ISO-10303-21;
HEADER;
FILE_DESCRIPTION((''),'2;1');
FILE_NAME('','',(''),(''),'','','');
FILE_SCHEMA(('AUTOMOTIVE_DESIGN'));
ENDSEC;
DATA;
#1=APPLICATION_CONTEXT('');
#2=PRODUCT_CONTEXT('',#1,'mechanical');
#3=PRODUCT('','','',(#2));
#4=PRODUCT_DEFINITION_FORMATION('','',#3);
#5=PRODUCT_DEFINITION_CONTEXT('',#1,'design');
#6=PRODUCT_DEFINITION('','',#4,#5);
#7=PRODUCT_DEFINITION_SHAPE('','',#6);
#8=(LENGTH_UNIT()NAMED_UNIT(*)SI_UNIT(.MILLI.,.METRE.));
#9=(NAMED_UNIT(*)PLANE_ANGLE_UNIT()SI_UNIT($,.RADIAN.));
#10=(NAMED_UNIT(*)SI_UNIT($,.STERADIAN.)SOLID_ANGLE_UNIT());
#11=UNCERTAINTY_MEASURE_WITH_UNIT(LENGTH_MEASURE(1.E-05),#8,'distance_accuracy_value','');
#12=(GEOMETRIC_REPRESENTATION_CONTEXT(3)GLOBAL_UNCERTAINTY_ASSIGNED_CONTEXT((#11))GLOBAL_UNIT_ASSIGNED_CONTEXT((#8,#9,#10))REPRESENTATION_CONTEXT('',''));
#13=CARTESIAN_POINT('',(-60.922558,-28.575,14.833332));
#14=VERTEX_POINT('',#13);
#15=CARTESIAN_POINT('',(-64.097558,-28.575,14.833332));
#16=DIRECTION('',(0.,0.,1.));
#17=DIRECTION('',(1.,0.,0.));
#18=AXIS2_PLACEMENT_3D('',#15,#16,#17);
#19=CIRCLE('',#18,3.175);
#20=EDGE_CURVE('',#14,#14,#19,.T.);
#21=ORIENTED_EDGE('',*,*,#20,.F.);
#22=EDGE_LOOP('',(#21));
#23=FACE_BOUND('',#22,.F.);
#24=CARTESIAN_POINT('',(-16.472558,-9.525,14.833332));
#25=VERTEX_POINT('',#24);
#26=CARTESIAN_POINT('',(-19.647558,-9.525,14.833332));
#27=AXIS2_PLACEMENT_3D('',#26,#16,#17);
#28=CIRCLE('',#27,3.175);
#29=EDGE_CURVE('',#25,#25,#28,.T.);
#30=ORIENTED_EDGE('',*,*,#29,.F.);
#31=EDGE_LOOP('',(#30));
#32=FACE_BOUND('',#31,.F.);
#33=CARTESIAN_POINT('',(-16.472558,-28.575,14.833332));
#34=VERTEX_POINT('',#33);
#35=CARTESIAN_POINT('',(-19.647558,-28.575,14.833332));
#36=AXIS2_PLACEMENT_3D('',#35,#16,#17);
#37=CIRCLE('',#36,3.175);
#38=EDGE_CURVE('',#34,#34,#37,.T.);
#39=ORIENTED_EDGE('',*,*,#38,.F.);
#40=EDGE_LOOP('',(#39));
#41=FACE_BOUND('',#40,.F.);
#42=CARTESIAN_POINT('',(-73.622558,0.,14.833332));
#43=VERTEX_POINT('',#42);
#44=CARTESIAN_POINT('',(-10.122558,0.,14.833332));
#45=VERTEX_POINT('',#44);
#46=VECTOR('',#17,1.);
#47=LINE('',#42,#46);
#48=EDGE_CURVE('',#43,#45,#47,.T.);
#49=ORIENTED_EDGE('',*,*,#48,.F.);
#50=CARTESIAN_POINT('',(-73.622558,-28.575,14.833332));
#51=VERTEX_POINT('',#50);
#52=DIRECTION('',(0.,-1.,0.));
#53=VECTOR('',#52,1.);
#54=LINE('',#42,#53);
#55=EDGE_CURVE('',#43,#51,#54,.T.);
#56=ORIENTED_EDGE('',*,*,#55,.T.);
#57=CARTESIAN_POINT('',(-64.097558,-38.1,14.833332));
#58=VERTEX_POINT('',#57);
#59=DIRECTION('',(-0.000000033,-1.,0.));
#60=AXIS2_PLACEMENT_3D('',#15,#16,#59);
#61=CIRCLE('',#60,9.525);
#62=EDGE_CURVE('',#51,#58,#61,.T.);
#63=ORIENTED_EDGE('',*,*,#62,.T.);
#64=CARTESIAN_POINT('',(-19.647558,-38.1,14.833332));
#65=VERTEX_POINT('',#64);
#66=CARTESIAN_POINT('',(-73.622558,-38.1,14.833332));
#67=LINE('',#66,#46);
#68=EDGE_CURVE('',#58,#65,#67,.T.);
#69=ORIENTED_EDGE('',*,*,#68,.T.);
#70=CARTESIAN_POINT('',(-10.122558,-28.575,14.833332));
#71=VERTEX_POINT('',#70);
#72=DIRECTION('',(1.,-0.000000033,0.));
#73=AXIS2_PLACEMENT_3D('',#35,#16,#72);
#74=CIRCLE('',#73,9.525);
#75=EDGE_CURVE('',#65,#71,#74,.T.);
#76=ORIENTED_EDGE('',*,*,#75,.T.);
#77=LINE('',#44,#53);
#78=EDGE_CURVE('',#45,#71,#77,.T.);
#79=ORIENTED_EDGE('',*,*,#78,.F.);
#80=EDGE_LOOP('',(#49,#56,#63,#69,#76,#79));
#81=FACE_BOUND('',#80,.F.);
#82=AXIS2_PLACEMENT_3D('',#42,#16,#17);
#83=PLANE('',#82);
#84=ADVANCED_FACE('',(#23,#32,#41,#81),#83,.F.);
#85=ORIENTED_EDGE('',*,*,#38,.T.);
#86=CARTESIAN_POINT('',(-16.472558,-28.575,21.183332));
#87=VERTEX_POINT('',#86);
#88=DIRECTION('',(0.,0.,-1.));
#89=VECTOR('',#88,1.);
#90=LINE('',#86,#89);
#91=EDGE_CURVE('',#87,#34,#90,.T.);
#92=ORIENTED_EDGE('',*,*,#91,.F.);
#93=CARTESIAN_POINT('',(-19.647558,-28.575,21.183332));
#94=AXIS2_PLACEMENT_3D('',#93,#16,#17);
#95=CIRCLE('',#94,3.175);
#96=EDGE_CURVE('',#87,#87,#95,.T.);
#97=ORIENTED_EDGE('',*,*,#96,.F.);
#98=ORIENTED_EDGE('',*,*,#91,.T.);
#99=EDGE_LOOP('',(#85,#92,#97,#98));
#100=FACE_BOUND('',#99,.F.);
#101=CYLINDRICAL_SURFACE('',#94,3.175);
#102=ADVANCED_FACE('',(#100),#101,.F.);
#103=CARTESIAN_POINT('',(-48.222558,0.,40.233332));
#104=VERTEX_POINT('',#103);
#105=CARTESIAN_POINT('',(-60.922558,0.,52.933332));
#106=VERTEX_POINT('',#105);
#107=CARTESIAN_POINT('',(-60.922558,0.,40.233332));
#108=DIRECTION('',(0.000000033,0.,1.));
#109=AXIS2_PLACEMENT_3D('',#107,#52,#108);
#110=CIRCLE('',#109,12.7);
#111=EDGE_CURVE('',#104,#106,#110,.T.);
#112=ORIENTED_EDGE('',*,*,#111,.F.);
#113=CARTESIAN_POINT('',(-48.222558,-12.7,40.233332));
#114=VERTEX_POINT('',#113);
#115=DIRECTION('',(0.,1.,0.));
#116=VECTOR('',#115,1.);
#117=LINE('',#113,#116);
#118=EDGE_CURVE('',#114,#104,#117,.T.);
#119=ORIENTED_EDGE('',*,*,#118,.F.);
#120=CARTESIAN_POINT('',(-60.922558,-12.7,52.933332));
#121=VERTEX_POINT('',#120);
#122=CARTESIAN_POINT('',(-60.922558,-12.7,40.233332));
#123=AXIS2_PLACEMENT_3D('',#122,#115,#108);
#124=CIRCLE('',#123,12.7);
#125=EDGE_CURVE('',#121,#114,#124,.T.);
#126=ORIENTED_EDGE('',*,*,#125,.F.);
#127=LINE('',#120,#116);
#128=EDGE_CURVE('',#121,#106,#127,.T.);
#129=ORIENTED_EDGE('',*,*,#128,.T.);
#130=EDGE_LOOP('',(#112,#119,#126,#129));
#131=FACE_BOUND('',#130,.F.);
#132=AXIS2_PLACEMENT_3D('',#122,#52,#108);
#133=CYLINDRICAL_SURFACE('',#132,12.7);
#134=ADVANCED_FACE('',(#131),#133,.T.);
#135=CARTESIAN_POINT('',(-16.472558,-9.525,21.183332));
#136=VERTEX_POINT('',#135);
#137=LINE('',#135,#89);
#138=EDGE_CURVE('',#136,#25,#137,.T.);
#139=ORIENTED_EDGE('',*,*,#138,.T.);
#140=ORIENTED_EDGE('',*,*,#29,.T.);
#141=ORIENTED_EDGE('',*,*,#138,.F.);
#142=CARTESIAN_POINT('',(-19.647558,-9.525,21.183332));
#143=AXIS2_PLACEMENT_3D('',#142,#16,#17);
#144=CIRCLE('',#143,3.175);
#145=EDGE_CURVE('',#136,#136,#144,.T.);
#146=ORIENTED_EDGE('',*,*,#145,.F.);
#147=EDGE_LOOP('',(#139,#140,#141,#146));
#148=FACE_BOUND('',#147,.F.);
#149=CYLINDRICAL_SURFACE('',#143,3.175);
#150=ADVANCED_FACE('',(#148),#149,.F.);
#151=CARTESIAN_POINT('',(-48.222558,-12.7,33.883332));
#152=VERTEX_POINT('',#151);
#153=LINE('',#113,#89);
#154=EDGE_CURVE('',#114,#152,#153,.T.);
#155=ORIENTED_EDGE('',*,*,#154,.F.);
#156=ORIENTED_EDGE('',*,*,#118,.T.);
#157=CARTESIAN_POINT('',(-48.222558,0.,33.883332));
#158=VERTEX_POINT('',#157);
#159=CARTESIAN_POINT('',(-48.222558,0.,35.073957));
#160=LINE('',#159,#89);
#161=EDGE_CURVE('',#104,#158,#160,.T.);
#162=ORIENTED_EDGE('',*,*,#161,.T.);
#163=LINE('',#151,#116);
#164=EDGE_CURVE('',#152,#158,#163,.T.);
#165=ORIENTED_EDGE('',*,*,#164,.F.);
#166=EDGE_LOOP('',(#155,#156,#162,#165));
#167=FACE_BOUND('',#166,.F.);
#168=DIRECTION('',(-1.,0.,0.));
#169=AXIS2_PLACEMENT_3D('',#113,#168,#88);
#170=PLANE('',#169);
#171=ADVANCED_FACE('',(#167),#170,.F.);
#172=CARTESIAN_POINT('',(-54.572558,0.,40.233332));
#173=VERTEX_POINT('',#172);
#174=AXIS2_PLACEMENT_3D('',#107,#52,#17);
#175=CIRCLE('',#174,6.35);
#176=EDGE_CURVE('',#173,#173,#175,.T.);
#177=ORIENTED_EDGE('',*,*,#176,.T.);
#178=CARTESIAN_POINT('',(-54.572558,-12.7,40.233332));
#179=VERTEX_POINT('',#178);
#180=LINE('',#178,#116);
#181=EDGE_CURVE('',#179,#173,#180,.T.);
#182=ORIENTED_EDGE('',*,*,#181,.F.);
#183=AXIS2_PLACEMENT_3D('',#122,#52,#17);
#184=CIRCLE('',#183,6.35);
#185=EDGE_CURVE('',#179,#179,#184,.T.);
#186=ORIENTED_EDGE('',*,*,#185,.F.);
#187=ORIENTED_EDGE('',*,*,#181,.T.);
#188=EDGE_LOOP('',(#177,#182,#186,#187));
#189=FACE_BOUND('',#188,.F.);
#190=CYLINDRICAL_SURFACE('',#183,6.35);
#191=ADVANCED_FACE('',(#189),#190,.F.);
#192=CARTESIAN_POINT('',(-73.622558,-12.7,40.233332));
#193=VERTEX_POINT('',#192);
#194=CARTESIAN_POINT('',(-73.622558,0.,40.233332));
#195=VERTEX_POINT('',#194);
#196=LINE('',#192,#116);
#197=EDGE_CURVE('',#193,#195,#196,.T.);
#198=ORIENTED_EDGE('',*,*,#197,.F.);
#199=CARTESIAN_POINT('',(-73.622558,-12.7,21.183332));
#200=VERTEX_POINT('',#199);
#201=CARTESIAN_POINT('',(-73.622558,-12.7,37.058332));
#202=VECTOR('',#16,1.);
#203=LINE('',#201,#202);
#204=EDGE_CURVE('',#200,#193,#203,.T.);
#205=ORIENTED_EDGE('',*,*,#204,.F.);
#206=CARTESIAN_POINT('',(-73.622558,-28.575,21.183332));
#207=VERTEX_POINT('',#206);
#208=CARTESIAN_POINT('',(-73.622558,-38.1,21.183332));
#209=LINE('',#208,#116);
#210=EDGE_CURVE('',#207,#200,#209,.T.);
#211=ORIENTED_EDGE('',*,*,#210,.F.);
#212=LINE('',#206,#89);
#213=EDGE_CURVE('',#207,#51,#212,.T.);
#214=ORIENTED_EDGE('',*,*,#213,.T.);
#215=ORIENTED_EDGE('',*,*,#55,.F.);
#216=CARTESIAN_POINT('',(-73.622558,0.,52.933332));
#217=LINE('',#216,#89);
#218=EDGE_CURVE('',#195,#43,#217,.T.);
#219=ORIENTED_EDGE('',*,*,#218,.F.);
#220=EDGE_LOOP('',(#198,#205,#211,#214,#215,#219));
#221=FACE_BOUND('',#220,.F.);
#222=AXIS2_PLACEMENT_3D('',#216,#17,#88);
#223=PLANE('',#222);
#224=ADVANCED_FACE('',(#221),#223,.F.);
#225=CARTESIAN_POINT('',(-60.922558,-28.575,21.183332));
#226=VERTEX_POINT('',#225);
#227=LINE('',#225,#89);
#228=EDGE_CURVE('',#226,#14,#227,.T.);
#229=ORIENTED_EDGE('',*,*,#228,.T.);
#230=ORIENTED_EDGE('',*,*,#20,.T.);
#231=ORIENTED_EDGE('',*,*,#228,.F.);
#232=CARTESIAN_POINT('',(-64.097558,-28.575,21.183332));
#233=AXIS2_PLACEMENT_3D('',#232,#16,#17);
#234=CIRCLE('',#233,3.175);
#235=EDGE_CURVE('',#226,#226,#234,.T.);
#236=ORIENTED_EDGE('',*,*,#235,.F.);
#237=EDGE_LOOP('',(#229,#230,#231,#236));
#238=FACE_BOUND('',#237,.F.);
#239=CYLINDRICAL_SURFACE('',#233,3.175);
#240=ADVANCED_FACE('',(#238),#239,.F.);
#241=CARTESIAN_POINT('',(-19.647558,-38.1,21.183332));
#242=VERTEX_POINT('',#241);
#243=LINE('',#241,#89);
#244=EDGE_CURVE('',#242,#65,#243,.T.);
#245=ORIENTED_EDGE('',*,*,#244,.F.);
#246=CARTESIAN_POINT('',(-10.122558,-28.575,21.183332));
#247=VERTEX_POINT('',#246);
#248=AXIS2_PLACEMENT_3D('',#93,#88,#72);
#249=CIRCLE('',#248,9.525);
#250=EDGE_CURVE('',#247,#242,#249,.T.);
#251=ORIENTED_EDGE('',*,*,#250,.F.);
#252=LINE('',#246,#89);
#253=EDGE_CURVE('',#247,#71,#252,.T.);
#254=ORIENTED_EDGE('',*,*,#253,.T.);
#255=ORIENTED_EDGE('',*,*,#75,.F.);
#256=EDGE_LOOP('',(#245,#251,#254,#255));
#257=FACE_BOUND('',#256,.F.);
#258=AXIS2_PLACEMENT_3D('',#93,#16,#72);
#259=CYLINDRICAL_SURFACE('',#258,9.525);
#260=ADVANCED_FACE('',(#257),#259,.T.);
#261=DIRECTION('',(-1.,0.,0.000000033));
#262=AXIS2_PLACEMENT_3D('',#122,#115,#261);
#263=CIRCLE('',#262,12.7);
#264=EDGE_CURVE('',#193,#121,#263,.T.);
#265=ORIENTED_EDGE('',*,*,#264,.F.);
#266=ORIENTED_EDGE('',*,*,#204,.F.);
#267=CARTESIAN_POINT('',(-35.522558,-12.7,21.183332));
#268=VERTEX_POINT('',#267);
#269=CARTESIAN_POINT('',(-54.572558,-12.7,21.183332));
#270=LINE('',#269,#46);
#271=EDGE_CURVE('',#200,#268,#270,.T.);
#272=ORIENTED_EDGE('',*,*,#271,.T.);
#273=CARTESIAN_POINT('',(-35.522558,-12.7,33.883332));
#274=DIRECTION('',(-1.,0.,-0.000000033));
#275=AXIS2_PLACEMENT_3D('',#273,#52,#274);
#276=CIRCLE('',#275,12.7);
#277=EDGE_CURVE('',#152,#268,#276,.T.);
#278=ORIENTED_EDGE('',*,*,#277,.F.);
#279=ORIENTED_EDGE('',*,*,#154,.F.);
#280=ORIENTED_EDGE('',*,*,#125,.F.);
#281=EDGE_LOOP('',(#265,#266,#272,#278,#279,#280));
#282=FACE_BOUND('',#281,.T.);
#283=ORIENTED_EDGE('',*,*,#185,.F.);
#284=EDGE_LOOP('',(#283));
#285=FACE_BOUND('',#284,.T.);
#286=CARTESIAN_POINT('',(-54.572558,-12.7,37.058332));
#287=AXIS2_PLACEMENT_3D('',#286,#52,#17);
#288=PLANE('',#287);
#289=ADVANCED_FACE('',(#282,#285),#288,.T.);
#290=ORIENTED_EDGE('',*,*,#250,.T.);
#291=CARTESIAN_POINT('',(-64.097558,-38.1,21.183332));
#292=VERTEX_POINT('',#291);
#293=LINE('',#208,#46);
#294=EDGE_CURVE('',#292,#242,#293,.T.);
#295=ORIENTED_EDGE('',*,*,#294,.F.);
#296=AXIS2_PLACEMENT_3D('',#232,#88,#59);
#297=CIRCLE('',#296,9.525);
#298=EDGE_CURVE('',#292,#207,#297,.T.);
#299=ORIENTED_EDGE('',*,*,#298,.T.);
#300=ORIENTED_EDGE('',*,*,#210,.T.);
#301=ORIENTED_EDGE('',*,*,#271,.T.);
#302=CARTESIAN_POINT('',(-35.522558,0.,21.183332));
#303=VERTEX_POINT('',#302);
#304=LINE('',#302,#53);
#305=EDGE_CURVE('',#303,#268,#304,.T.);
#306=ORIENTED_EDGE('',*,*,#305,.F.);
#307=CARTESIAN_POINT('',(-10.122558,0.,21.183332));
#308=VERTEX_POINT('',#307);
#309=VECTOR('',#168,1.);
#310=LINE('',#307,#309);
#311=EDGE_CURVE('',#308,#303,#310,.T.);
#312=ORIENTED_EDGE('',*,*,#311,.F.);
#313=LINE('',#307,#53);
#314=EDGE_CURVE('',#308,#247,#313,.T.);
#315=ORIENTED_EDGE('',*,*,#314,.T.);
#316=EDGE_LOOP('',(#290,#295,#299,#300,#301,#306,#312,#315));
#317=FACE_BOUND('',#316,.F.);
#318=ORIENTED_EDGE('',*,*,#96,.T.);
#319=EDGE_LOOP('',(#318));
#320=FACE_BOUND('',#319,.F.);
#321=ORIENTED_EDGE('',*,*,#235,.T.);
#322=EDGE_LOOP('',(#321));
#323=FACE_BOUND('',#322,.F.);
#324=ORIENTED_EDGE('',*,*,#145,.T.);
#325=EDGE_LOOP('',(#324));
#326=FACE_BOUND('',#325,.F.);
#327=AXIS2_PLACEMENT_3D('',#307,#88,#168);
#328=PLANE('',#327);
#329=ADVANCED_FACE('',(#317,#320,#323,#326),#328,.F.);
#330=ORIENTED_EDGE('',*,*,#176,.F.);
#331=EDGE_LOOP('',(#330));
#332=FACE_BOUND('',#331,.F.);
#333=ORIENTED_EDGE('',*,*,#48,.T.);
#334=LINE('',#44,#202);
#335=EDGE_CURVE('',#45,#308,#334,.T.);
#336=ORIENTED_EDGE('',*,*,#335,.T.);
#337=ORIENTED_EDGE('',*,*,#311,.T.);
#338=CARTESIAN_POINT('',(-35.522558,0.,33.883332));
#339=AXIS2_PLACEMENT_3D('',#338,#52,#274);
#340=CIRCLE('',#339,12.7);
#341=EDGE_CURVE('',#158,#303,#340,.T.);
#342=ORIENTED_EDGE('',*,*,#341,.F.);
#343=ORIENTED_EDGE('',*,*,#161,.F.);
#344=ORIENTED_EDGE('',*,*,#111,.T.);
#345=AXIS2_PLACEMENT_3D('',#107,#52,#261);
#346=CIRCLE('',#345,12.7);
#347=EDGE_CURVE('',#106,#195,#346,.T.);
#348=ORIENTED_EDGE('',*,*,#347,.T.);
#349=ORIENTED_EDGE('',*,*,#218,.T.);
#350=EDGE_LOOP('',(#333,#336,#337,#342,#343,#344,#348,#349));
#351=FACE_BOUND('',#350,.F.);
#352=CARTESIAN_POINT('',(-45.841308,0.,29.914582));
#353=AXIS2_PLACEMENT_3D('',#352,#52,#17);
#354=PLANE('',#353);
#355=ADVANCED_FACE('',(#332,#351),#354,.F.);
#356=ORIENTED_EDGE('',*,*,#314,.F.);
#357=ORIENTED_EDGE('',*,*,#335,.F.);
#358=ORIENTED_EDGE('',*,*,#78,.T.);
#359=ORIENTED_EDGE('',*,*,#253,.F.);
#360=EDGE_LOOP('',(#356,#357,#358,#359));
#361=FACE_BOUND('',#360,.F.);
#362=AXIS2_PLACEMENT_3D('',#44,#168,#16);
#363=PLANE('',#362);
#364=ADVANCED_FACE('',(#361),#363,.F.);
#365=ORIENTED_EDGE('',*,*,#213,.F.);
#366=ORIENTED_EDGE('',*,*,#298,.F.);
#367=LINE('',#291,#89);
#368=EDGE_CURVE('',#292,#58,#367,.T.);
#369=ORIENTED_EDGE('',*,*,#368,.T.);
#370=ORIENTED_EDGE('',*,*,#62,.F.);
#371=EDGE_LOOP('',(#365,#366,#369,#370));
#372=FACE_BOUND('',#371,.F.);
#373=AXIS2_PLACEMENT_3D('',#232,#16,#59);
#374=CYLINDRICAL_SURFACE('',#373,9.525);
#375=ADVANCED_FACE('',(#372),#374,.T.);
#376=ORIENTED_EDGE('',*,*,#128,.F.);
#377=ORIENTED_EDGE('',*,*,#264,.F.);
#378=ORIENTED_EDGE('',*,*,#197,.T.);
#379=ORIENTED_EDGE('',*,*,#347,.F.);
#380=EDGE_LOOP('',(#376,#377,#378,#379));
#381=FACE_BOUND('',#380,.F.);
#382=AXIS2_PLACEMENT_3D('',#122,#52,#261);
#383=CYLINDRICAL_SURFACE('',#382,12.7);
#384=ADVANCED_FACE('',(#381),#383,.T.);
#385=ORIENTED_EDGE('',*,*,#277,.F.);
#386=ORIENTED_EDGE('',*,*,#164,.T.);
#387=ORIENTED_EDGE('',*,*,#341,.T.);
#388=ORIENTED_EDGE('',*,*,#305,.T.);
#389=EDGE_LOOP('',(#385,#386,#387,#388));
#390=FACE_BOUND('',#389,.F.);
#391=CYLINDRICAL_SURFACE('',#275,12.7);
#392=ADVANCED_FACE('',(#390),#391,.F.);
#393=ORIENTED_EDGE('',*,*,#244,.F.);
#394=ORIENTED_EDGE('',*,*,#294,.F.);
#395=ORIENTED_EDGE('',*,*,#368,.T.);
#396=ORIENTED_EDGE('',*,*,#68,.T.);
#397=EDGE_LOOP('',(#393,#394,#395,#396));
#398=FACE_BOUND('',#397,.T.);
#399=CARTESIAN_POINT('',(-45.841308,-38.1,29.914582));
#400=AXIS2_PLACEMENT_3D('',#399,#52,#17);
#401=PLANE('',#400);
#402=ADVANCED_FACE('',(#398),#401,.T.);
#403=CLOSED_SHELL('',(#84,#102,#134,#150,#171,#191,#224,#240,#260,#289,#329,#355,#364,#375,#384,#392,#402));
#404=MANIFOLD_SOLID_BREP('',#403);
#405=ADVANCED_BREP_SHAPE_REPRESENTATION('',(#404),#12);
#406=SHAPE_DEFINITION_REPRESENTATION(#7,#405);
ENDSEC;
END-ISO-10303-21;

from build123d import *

# Parameters (mm, degrees)
F1_DEPTH  = 38.1
F2_W      = 38.1
F2_H      = 31.75
F3_DEPTH  = 25.4
F4_R      = 3.175
F5_DEPTH  = 25.4
F6_R      = 3.175
F7_DEPTH  = 25.4
F8_R      = 6.35
F9_DEPTH  = 25.4
F11_DEPTH = 25.4


with BuildPart() as f1:
    # F0 (on Front) → F1 (new body)
    with BuildSketch(Plane.XZ):
        Polygon((-35.522558, 52.933332), (-73.622558, 52.933332), (-73.622558, 14.833332), (-10.122558, 14.833332), (-10.122558, 21.183332), (-35.522558, 21.183332), align=None)
    extrude(amount=F1_DEPTH)

    # F2 (on face) → F3 (cut)
    with BuildSketch(Plane.XZ.offset(38.1)):
        with Locations((-54.572558, 37.058332)):
            Rectangle(F2_W, F2_H)
    extrude(amount=-F3_DEPTH, mode=Mode.SUBTRACT)

    # F4 (on face) → F5 (cut)
    with BuildSketch(Plane.XY.offset(21.183332)):
        with Locations((-19.647558, -28.575)):
            Circle(F4_R)
        with Locations((-64.097558, -28.575)):
            Circle(F4_R)
        with BuildLine():
            Line((-73.622558, -38.1), (-64.097558, -38.1))
            ThreePointArc((-64.097558, -38.1), (-70.83275, -35.310192), (-73.622558, -28.575))
            Line((-73.622558, -28.575), (-73.622558, -38.1))
        make_face()
        with BuildLine():
            ThreePointArc((-10.122558, -28.575), (-12.912366, -35.310192), (-19.647558, -38.1))
            Line((-19.647558, -38.1), (-10.122558, -38.1))
            Line((-10.122558, -38.1), (-10.122558, -28.575))
        make_face()
    extrude(amount=-F5_DEPTH, mode=Mode.SUBTRACT)

    # F6 (on face) → F7 (cut)
    with BuildSketch(Plane.XY.offset(21.183332)):
        with Locations((-19.647558, -9.525)):
            Circle(F6_R)
    extrude(amount=-F7_DEPTH, mode=Mode.SUBTRACT)

    # F8 (on face) → F9 (cut)
    with BuildSketch(Plane.XZ.offset(12.7)):
        with Locations((-60.922558, 40.233332)):
            Circle(F8_R)
    extrude(amount=-F9_DEPTH, mode=Mode.SUBTRACT)

    # F10 (on face) → F11 (cut)
    with BuildSketch(Plane.XZ.offset(12.7)):
        with BuildLine():
            ThreePointArc((-60.922558, 52.933332), (-51.942302, 49.213588), (-48.222558, 40.233332))
            Line((-48.222558, 40.233332), (-48.222558, 33.883332))
            ThreePointArc((-48.222558, 33.883332), (-44.502814, 24.903076), (-35.522558, 21.183332))
            Line((-35.522558, 21.183332), (-35.522558, 52.933332))
            Line((-35.522558, 52.933332), (-60.922558, 52.933332))
        make_face()
        with BuildLine():
            ThreePointArc((-73.622558, 40.233332), (-69.902814, 49.213588), (-60.922558, 52.933332))
            Line((-60.922558, 52.933332), (-73.622558, 52.933332))
            Line((-73.622558, 52.933332), (-73.622558, 40.233332))
        make_face()
    extrude(amount=-F11_DEPTH, mode=Mode.SUBTRACT)


solid = f1.part
